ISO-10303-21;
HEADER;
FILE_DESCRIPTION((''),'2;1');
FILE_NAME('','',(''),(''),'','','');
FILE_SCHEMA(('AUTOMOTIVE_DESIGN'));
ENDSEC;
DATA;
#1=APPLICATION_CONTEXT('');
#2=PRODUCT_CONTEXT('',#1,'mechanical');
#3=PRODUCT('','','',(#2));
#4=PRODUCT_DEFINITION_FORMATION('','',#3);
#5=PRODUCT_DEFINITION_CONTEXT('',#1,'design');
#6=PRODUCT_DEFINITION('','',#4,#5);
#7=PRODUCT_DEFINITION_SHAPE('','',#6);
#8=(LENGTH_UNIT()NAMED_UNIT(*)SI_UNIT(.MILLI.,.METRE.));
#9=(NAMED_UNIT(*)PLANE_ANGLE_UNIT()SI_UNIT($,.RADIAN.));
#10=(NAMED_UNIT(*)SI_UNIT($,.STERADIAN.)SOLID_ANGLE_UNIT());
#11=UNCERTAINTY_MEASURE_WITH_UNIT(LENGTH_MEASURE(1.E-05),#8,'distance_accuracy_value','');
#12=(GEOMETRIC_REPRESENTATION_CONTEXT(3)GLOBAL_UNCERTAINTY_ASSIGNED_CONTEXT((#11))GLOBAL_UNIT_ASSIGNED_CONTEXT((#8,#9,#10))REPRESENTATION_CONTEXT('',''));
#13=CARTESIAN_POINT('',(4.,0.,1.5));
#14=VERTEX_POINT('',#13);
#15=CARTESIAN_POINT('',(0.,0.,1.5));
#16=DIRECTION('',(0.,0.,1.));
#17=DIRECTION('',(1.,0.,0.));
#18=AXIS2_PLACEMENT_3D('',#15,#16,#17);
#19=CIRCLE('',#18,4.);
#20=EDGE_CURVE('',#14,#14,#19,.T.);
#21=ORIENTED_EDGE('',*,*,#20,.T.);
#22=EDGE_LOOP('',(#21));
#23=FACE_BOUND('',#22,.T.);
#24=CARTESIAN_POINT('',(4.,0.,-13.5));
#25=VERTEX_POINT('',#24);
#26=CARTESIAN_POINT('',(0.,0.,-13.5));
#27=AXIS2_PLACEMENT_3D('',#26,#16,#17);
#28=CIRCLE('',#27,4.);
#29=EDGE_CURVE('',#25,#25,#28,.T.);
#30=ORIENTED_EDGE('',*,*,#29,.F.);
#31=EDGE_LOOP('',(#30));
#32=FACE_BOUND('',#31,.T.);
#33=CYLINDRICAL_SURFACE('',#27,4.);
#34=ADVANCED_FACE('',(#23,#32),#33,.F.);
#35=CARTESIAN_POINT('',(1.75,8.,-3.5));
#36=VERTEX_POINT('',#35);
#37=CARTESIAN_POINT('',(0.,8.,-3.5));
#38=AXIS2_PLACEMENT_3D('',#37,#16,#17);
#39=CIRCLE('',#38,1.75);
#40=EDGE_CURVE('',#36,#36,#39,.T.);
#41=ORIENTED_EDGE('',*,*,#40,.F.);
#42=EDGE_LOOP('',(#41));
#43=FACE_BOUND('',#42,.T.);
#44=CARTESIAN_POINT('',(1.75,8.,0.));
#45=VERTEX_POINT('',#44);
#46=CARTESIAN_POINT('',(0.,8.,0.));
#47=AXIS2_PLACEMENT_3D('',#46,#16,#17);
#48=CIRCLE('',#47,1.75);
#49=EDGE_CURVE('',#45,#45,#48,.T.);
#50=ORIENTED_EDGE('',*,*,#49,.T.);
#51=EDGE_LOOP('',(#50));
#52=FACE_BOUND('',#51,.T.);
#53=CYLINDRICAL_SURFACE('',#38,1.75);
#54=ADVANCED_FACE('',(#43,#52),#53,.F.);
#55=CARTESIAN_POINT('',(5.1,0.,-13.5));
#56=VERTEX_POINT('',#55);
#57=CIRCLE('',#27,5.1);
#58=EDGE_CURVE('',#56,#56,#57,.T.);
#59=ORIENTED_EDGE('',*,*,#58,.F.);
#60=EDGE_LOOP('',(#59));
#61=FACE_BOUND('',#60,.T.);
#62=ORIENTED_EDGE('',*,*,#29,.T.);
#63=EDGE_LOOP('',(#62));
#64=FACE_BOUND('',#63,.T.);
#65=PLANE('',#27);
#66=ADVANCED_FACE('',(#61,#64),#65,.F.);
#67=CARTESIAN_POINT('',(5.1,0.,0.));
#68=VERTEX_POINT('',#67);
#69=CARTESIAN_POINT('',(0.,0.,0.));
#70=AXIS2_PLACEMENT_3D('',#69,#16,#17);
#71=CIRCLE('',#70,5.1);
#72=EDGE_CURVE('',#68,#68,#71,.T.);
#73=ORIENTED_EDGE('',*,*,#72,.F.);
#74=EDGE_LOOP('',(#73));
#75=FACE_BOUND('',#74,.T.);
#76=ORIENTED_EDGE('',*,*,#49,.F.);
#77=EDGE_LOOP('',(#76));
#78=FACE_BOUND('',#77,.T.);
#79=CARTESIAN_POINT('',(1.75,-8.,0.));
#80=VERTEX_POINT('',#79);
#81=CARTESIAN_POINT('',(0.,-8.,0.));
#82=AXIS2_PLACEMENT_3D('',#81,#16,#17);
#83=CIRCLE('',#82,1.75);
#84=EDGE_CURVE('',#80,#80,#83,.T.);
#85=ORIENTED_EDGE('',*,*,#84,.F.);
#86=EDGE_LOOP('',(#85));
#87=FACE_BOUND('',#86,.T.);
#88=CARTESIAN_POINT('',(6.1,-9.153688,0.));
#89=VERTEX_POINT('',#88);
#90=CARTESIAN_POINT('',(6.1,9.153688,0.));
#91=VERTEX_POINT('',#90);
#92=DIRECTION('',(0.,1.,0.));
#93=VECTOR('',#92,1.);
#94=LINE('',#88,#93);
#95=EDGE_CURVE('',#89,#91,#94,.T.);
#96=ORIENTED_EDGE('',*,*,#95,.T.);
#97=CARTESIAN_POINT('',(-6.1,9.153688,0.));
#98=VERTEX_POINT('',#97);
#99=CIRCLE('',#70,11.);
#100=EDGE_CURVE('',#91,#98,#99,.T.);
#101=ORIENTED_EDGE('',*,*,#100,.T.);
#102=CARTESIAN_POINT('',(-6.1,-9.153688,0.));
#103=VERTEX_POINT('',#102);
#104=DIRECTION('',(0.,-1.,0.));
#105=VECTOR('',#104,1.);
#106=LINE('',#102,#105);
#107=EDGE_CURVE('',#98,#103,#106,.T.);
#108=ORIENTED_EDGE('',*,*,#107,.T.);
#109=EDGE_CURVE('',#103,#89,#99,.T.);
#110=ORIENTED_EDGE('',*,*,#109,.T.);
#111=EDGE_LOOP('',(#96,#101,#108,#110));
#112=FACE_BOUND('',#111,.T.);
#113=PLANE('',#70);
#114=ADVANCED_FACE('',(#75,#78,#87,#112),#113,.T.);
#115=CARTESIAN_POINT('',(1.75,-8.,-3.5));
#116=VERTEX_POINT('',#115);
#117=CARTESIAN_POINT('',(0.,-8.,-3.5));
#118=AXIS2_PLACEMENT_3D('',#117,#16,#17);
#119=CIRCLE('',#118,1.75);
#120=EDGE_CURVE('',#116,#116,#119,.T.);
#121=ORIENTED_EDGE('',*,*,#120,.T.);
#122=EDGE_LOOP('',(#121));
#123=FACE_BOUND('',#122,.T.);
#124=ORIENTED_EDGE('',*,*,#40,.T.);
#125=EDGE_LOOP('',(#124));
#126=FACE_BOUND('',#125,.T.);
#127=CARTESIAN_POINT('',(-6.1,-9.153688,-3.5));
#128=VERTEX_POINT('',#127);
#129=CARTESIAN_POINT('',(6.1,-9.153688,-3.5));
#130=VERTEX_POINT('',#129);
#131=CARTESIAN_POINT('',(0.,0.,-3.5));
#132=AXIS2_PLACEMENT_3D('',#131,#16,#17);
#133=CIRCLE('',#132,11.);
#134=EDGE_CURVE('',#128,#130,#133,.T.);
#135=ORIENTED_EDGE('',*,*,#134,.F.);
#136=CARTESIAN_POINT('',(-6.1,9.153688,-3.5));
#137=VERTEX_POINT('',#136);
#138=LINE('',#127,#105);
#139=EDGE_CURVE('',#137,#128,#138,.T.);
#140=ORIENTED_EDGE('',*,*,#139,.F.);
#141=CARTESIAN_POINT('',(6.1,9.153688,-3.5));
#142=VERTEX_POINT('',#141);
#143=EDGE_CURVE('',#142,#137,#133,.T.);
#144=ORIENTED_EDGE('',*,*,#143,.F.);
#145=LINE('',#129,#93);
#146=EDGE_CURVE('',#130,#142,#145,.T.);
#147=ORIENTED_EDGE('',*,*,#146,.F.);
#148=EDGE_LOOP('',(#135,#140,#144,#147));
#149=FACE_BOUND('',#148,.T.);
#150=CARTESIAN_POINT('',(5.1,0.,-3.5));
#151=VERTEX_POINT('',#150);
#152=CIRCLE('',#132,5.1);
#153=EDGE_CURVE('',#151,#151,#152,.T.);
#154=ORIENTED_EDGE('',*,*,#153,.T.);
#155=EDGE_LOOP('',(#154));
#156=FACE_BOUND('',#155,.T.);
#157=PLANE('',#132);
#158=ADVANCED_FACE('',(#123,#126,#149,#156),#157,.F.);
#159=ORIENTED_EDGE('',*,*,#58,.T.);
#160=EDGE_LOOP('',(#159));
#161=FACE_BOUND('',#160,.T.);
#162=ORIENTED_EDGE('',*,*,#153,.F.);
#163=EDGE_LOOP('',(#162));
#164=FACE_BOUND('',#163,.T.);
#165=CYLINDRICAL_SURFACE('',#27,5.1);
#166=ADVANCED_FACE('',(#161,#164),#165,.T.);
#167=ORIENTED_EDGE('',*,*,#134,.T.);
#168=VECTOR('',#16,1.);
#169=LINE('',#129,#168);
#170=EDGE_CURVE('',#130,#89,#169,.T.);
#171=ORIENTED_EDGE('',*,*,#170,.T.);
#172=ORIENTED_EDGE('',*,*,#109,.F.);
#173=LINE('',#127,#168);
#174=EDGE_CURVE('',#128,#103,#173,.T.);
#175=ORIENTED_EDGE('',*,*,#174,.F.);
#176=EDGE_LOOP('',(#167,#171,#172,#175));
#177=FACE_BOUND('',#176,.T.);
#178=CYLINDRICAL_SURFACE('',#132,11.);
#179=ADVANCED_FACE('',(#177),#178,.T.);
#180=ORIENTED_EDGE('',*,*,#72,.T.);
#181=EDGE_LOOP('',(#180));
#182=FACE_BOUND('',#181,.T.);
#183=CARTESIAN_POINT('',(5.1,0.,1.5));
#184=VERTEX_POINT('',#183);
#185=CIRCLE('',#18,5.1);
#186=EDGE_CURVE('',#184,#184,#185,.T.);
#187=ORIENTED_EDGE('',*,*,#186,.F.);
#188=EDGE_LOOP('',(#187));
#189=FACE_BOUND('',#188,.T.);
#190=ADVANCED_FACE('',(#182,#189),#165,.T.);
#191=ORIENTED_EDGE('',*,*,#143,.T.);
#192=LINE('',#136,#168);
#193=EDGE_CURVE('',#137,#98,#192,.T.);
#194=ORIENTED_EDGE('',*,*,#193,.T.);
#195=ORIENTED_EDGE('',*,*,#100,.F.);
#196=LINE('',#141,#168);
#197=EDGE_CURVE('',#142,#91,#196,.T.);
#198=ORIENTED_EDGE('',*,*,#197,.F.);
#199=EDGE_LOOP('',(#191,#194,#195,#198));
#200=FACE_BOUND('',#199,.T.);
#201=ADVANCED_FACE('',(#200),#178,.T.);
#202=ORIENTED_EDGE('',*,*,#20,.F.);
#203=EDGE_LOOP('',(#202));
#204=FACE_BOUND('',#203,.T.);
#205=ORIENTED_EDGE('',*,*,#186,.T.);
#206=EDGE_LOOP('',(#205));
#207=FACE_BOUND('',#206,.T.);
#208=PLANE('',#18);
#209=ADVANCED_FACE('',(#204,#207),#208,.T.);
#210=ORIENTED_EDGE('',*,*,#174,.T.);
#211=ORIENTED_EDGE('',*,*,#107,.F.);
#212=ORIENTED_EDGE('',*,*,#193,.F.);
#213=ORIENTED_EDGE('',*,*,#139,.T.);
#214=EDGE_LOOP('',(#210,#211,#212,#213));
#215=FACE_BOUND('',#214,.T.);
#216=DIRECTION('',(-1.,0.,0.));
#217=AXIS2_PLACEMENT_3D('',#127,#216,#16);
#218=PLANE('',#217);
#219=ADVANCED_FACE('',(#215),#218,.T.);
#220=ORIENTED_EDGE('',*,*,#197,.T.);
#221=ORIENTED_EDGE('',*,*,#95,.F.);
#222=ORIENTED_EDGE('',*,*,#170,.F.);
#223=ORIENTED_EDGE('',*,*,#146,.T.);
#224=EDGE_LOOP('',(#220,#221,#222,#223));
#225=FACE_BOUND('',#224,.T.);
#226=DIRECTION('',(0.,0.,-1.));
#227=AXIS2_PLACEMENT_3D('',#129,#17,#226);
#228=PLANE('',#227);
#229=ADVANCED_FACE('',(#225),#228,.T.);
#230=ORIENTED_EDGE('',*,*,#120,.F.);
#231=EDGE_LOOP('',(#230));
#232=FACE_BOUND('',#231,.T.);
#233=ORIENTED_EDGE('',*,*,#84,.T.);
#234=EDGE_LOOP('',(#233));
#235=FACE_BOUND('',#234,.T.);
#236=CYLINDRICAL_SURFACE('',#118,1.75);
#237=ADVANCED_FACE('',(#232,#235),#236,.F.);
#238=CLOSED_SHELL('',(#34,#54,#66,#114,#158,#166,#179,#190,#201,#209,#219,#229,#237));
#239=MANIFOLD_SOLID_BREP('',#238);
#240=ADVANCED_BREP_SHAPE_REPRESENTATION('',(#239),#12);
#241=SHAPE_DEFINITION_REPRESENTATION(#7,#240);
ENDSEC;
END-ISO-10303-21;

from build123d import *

# Parameters (mm, degrees)
SKETCH1_R                = 5.1
SKETCH1_R_2              = 1.75
BOSS_EXTRUDE1_DEPTH      = 3.5
SKETCH2_R                = 5.1
SKETCH2_R_2              = 4
BOSS_EXTRUDE2_DEPTH      = 1.5
BOSS_EXTRUDE2_DEPTH_BACK = 13.5


with BuildPart() as part:
    # Sketch1 → Boss-Extrude1 (new body)
    with BuildSketch(Plane.XY):
        with BuildLine():
            Line((-6.1, -9.153687781), (-6.1, 9.153687781))
            ThreePointArc((-6.1, 9.153687781), (0, 11), (6.1, 9.153687781))
            Line((6.1, 9.153687781), (6.1, -9.153687781))
            ThreePointArc((6.1, -9.153687781), (0, -11), (-6.1, -9.153687781))
        make_face()
        Circle(SKETCH1_R, mode=Mode.SUBTRACT)
        with Locations((0, 8)):
            Circle(SKETCH1_R_2, mode=Mode.SUBTRACT)
        with Locations((0, -8)):
            Circle(SKETCH1_R_2, mode=Mode.SUBTRACT)
    extrude(amount=-BOSS_EXTRUDE1_DEPTH)

    # Sketch2 → Boss-Extrude2 (add, two sides)
    with BuildSketch(Plane.XY) as boss_extrude2_sk:
        Circle(SKETCH2_R)
        Circle(SKETCH2_R_2, mode=Mode.SUBTRACT)
    extrude(amount=BOSS_EXTRUDE2_DEPTH)
    extrude(boss_extrude2_sk.sketch, amount=-BOSS_EXTRUDE2_DEPTH_BACK)


solid = part.part
